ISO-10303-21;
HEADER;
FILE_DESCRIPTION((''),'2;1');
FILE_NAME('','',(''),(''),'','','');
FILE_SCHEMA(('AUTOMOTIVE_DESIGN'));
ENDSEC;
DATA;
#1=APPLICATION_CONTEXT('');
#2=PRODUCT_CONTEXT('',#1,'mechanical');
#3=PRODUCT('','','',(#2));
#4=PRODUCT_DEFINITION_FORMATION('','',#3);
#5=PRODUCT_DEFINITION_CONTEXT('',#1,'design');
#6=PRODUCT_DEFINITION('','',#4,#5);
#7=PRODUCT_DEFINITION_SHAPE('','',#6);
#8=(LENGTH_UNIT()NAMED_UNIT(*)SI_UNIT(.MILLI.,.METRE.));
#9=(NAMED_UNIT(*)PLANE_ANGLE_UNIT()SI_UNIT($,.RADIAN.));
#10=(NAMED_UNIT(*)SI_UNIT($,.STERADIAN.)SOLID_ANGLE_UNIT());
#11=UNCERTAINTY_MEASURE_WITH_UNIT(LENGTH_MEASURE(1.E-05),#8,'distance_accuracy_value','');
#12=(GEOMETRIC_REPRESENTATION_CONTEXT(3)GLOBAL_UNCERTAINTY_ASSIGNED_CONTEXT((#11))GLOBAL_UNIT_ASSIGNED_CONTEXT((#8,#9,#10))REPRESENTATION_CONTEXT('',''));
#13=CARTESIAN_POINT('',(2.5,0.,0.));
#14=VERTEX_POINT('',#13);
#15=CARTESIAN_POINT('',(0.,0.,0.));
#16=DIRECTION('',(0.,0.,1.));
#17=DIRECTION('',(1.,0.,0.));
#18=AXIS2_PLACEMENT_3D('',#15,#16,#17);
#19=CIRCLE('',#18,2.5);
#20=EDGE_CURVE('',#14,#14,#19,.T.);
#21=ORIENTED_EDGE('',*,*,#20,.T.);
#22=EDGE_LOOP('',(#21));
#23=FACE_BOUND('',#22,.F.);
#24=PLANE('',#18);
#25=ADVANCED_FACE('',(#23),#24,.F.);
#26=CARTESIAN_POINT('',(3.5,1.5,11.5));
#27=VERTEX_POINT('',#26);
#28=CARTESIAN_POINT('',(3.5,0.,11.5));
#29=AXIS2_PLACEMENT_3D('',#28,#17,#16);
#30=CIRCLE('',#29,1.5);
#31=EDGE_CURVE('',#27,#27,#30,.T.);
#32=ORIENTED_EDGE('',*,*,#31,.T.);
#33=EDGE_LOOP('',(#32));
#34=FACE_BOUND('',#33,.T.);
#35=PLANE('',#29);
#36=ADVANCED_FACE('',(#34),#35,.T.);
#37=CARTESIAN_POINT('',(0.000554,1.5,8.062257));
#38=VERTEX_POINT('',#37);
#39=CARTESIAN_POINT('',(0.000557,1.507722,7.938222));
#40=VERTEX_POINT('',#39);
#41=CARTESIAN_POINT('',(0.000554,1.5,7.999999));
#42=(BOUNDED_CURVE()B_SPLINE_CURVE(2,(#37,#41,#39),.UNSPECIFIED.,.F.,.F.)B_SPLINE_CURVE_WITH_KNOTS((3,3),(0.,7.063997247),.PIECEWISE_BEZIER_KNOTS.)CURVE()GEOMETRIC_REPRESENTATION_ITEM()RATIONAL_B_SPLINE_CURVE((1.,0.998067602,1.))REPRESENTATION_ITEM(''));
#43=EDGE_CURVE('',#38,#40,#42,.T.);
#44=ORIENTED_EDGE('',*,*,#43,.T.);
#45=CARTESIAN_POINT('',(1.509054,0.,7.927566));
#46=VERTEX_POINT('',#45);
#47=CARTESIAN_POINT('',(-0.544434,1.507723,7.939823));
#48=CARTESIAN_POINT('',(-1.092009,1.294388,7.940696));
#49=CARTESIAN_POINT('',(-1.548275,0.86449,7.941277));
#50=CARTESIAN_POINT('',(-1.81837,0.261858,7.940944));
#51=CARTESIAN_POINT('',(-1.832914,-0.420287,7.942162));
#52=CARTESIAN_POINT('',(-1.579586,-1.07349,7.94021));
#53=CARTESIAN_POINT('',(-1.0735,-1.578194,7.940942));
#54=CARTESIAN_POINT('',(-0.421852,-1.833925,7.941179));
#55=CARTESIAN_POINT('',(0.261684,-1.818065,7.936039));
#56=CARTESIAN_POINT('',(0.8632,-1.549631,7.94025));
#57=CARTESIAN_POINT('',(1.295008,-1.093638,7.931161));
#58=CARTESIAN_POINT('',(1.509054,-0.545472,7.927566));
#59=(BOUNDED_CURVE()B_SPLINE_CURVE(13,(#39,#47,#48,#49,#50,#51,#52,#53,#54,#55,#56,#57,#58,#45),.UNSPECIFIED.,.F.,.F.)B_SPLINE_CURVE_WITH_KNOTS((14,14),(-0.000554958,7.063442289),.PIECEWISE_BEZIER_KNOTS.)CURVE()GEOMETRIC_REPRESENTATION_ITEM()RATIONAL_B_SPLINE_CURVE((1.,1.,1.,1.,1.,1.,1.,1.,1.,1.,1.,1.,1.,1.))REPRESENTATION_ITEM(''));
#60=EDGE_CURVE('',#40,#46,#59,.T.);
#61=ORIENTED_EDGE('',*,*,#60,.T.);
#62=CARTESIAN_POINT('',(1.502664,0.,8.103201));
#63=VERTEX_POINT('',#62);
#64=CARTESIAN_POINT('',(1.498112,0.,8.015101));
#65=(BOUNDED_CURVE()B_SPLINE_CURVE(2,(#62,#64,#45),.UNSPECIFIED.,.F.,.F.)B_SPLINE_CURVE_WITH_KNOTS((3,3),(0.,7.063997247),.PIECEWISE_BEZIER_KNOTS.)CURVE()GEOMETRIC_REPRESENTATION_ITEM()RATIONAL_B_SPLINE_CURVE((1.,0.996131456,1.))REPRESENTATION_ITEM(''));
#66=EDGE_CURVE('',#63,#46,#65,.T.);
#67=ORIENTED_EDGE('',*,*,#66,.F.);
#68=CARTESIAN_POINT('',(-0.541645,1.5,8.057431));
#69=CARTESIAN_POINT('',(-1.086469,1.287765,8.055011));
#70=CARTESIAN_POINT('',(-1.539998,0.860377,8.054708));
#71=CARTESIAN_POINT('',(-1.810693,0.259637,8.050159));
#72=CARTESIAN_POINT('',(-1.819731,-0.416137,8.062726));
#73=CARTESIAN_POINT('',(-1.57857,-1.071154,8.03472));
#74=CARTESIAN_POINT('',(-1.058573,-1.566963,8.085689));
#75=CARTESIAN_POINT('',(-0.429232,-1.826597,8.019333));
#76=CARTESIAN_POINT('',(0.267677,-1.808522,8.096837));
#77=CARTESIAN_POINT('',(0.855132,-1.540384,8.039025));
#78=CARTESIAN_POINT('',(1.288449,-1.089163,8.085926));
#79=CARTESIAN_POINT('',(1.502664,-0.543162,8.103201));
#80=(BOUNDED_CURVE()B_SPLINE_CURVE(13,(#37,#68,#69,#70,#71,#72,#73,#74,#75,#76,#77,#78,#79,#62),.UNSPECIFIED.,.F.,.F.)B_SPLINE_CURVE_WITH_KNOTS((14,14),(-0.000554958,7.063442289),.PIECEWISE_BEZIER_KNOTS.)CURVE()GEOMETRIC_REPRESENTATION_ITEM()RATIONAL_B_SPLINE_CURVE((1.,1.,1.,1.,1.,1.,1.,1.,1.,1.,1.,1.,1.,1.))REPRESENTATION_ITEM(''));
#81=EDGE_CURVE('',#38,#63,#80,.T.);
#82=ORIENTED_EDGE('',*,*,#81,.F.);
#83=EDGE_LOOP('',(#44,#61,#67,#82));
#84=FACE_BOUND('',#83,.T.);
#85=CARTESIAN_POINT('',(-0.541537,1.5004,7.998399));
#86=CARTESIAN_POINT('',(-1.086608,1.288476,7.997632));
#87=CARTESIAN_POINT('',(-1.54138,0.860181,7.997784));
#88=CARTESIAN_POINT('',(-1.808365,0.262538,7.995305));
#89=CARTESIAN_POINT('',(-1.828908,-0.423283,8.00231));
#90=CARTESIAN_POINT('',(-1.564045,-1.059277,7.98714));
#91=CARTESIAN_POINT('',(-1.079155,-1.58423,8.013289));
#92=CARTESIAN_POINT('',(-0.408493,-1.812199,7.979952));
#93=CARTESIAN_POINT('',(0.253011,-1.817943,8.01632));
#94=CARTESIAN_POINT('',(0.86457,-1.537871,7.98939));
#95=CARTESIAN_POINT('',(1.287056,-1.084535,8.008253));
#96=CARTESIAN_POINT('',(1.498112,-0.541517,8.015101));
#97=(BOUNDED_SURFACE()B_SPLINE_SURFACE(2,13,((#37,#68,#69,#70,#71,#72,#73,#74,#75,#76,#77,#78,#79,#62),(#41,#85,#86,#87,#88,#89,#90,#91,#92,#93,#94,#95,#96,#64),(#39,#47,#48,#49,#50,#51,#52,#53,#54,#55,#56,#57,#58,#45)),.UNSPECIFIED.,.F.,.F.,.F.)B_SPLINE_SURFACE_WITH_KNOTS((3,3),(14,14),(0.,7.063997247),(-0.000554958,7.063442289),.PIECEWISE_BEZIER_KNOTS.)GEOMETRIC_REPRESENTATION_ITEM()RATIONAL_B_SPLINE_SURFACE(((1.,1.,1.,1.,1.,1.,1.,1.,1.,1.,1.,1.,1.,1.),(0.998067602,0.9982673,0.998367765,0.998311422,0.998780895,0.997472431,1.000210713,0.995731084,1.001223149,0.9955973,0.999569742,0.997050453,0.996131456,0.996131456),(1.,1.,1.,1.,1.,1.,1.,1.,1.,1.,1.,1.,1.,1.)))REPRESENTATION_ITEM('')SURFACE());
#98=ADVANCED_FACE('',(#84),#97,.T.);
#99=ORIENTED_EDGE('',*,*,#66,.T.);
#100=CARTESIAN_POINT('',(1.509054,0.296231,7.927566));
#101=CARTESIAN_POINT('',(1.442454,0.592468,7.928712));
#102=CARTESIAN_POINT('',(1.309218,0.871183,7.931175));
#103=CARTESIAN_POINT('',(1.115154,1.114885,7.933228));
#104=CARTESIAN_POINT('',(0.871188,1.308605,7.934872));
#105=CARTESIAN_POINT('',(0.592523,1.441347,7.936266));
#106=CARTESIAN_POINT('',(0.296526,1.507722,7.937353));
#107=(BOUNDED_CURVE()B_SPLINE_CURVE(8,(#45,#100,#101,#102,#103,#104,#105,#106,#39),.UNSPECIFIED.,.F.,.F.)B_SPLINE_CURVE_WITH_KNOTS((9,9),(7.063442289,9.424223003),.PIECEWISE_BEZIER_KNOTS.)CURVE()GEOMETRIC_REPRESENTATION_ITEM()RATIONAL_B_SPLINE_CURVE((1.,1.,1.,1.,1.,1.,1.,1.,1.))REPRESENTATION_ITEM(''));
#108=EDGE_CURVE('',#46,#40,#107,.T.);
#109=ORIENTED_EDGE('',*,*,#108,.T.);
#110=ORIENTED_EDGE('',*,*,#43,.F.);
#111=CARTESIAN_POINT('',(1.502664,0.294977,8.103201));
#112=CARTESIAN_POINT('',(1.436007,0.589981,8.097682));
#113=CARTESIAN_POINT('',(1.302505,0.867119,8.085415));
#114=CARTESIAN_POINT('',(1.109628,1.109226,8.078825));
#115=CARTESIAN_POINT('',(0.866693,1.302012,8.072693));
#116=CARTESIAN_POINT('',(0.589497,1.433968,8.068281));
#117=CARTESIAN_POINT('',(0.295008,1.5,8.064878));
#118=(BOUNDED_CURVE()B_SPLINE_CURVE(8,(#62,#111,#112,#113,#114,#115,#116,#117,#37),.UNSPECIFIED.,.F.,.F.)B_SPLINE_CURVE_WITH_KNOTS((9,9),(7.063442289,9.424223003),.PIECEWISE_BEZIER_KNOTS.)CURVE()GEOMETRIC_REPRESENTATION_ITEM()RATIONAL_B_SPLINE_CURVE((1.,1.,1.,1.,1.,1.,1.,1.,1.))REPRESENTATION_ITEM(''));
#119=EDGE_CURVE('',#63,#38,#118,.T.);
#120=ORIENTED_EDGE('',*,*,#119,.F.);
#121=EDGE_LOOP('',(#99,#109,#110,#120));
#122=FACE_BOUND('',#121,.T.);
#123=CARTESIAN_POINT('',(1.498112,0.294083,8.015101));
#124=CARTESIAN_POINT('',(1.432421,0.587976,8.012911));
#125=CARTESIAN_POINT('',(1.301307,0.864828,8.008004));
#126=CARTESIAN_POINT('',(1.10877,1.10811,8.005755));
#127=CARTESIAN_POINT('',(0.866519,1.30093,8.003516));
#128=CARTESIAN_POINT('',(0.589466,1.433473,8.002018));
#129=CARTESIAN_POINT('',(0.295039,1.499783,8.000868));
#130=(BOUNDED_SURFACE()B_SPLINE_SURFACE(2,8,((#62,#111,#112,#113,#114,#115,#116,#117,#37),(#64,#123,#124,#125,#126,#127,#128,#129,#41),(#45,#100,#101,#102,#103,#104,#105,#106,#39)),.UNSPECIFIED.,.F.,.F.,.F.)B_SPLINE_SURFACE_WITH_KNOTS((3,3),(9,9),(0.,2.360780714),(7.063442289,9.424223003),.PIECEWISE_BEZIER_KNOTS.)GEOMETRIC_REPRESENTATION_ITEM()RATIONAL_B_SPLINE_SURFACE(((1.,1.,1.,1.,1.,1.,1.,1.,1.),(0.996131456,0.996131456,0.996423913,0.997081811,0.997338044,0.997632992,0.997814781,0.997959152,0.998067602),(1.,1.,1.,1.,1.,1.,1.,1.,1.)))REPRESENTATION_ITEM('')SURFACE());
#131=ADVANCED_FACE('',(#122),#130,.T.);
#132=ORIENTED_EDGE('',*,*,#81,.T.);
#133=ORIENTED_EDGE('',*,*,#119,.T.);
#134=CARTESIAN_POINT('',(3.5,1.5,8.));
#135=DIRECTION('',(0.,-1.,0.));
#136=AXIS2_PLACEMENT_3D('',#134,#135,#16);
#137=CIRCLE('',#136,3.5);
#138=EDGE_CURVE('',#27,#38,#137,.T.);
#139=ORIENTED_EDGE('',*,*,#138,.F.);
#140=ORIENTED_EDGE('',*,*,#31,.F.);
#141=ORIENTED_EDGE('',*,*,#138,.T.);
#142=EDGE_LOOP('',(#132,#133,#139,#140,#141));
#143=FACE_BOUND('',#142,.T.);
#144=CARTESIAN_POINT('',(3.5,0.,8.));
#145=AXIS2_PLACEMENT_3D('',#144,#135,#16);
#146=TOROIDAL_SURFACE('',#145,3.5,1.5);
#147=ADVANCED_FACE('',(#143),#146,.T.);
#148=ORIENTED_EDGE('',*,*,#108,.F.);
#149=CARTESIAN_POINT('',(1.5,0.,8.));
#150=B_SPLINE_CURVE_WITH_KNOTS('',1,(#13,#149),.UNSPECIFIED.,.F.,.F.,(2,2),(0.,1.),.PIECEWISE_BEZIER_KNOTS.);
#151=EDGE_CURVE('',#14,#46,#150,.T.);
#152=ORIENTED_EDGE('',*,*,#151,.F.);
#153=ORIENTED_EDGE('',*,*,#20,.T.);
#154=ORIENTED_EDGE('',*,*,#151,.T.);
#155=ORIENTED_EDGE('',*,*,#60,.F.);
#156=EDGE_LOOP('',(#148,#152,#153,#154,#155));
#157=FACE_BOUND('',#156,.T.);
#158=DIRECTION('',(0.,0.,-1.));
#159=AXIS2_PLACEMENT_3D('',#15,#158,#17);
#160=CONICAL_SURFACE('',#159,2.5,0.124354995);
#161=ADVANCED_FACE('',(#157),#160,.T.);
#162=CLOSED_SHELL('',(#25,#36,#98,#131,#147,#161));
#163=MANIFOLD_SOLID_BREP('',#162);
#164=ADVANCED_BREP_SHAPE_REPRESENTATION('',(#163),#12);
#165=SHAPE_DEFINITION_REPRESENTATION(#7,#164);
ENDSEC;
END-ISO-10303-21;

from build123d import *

# Parameters (mm, degrees)
F0_R = 2.5
F2_R = 1.5
F5_R = 1.5
F8_R = 1


with BuildPart() as f3:
    # F0 (on Top) → F3 section 0
    with BuildSketch(Plane.XY):
        Circle(F0_R)
    # F2 (on offset) → F3 section 1
    with BuildSketch(Plane.XY.offset(8)):
        Circle(F2_R)
    loft()

    # F7: sweep along a path in F6
    with BuildLine(Plane.XZ) as f7_path:
        ThreePointArc((3.5, 10.7476860285), (1.5570925767, 9.9429074233), (0.7523139715, 8))
    # F5 (on offset) → F7 (sweep)
    with BuildSketch(Plane.YZ.offset(3.5)):
        with Locations((0, 11.5)):
            Circle(F5_R)
    sweep(path=f7_path.line)

    # F8
    f8_edges = [f3.edges().sort_by_distance(p)[0] for p in [
        (-1.06066, -1.06066, 8),
    ]]
    fillet(f8_edges, radius=F8_R)


solid = f3.part
